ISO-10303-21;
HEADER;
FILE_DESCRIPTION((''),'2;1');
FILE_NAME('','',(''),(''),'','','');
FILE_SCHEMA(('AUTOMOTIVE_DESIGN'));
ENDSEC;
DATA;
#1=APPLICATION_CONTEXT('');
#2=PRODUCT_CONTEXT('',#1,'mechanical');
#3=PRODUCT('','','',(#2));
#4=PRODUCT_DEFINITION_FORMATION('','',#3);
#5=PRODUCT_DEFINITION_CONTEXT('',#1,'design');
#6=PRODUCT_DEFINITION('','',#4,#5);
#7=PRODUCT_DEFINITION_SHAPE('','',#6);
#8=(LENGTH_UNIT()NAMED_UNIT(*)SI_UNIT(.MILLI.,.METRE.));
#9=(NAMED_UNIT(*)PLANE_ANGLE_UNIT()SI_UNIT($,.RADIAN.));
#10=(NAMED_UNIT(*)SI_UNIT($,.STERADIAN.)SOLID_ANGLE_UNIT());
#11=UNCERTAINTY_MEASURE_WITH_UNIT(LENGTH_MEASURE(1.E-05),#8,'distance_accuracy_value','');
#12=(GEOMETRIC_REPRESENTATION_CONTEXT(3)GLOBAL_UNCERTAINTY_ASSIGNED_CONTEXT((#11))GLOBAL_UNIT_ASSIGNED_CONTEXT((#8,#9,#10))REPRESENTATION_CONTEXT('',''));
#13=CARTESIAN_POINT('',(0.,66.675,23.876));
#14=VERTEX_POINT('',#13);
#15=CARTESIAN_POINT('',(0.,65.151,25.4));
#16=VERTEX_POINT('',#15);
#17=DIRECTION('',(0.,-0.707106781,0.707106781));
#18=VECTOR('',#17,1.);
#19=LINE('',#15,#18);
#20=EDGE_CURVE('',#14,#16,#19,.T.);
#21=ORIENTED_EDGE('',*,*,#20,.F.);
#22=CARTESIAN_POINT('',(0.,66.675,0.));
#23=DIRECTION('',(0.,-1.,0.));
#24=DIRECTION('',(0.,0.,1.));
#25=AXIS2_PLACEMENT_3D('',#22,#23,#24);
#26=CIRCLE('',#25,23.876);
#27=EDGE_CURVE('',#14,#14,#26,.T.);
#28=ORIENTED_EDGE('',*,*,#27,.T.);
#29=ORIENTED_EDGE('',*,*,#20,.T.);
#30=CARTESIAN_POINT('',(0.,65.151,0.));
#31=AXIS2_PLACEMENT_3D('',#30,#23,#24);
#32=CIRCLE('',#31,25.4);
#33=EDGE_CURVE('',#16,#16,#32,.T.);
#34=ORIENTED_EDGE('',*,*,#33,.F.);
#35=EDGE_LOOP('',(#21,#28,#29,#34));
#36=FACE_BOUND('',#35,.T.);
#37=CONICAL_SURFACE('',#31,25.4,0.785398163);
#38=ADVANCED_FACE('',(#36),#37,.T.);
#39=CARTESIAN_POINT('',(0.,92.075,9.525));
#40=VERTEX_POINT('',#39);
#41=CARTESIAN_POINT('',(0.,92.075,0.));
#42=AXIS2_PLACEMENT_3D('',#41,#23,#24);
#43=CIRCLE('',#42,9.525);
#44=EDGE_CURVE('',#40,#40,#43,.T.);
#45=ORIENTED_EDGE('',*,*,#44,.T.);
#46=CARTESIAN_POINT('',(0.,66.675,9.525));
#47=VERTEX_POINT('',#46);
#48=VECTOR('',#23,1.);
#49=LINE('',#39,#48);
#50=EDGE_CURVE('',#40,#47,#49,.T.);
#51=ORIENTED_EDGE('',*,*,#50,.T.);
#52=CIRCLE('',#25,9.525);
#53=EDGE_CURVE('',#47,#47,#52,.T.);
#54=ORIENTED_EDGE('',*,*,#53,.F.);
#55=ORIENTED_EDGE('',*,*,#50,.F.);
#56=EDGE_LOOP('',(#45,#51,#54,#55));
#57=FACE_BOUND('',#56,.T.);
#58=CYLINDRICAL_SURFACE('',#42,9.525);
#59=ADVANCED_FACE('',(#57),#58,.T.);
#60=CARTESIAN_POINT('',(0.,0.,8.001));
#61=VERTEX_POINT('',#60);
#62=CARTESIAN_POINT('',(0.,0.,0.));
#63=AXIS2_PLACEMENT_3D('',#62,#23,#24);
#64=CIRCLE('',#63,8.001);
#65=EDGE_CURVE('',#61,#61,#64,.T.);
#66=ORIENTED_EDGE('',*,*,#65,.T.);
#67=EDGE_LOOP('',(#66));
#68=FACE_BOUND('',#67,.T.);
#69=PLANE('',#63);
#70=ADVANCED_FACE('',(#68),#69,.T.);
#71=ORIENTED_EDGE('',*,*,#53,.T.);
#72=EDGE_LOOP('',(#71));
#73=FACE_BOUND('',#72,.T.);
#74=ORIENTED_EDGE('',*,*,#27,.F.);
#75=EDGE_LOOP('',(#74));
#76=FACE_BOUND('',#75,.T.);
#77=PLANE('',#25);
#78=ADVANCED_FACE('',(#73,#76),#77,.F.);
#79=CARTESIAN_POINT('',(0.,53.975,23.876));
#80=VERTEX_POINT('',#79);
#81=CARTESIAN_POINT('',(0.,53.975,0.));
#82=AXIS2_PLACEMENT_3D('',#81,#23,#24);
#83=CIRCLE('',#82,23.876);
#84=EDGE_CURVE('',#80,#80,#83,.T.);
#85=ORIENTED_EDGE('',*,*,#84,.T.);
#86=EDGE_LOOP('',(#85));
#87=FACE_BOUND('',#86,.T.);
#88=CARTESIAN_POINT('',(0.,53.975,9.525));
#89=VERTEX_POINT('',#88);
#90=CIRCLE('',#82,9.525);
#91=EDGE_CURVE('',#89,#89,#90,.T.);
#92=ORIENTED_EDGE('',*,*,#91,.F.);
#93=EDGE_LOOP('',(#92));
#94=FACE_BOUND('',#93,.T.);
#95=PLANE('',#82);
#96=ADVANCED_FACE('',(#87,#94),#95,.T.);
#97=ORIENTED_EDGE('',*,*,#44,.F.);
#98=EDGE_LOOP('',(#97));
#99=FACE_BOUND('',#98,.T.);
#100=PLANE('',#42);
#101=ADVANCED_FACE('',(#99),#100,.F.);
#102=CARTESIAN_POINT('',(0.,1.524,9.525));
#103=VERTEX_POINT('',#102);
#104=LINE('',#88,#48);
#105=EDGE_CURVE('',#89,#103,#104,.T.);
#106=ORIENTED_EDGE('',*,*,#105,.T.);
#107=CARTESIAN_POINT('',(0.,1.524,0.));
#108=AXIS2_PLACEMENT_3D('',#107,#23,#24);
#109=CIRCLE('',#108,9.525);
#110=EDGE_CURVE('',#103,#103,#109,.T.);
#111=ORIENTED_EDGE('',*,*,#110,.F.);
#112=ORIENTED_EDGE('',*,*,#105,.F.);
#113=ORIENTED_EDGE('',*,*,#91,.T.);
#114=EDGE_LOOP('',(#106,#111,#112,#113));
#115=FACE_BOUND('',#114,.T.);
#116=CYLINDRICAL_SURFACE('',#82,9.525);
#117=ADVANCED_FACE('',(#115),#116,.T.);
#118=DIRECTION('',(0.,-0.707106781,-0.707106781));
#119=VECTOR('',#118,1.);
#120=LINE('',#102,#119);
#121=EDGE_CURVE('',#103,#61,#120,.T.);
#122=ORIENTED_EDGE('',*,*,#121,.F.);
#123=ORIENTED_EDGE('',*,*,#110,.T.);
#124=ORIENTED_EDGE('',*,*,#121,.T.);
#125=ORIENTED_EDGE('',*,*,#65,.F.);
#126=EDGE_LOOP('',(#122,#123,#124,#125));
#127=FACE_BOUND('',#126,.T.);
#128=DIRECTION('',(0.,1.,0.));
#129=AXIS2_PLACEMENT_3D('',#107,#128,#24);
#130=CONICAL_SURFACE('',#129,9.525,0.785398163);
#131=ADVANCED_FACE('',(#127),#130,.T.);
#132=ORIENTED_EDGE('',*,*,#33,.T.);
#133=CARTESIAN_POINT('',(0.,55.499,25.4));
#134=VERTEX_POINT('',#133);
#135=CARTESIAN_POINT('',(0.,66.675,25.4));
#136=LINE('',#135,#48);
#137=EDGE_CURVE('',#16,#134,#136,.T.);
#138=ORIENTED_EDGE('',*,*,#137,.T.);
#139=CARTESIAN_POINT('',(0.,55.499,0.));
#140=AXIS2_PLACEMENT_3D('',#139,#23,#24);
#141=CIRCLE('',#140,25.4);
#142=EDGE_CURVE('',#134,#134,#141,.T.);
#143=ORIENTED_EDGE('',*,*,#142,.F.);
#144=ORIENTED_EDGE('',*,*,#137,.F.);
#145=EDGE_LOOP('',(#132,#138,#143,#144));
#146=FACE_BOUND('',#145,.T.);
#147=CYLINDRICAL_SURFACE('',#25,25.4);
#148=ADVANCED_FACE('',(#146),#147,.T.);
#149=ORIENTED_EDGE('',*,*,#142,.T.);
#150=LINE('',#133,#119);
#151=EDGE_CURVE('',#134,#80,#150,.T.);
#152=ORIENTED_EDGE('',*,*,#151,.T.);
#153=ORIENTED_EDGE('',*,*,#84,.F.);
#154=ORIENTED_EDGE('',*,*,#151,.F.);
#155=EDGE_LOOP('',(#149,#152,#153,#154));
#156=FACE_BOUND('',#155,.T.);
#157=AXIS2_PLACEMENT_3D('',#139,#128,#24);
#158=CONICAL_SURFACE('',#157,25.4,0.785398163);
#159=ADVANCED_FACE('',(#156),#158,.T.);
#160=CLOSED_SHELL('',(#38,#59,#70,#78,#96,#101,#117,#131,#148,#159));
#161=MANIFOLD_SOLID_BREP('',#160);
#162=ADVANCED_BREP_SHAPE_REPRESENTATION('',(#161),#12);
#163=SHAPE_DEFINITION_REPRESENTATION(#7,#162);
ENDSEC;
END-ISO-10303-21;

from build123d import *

# Parameters (mm, degrees)
F2_SIZE = 1.524


with BuildPart() as f1:
    # F0 (on Right) → F1 (revolve)
    with BuildSketch(Plane.YZ):
        Polygon((53.975, 9.525), (0, 9.525), (0, 0), (92.075, 0), (92.075, 9.525), (66.675, 9.525), (66.675, 25.4), (53.975, 25.4), align=None)
    revolve(axis=Axis((0, -9.222206, 0), (0, -1, 0)))

    # F2
    f2_edges = [f1.edges().sort_by_distance(p)[0] for p in [
        (0, 53.975, -25.4),
        (0, 66.675, -25.4),
        (0, 0, -9.525),
    ]]
    chamfer(f2_edges, length=F2_SIZE)


solid = f1.part
